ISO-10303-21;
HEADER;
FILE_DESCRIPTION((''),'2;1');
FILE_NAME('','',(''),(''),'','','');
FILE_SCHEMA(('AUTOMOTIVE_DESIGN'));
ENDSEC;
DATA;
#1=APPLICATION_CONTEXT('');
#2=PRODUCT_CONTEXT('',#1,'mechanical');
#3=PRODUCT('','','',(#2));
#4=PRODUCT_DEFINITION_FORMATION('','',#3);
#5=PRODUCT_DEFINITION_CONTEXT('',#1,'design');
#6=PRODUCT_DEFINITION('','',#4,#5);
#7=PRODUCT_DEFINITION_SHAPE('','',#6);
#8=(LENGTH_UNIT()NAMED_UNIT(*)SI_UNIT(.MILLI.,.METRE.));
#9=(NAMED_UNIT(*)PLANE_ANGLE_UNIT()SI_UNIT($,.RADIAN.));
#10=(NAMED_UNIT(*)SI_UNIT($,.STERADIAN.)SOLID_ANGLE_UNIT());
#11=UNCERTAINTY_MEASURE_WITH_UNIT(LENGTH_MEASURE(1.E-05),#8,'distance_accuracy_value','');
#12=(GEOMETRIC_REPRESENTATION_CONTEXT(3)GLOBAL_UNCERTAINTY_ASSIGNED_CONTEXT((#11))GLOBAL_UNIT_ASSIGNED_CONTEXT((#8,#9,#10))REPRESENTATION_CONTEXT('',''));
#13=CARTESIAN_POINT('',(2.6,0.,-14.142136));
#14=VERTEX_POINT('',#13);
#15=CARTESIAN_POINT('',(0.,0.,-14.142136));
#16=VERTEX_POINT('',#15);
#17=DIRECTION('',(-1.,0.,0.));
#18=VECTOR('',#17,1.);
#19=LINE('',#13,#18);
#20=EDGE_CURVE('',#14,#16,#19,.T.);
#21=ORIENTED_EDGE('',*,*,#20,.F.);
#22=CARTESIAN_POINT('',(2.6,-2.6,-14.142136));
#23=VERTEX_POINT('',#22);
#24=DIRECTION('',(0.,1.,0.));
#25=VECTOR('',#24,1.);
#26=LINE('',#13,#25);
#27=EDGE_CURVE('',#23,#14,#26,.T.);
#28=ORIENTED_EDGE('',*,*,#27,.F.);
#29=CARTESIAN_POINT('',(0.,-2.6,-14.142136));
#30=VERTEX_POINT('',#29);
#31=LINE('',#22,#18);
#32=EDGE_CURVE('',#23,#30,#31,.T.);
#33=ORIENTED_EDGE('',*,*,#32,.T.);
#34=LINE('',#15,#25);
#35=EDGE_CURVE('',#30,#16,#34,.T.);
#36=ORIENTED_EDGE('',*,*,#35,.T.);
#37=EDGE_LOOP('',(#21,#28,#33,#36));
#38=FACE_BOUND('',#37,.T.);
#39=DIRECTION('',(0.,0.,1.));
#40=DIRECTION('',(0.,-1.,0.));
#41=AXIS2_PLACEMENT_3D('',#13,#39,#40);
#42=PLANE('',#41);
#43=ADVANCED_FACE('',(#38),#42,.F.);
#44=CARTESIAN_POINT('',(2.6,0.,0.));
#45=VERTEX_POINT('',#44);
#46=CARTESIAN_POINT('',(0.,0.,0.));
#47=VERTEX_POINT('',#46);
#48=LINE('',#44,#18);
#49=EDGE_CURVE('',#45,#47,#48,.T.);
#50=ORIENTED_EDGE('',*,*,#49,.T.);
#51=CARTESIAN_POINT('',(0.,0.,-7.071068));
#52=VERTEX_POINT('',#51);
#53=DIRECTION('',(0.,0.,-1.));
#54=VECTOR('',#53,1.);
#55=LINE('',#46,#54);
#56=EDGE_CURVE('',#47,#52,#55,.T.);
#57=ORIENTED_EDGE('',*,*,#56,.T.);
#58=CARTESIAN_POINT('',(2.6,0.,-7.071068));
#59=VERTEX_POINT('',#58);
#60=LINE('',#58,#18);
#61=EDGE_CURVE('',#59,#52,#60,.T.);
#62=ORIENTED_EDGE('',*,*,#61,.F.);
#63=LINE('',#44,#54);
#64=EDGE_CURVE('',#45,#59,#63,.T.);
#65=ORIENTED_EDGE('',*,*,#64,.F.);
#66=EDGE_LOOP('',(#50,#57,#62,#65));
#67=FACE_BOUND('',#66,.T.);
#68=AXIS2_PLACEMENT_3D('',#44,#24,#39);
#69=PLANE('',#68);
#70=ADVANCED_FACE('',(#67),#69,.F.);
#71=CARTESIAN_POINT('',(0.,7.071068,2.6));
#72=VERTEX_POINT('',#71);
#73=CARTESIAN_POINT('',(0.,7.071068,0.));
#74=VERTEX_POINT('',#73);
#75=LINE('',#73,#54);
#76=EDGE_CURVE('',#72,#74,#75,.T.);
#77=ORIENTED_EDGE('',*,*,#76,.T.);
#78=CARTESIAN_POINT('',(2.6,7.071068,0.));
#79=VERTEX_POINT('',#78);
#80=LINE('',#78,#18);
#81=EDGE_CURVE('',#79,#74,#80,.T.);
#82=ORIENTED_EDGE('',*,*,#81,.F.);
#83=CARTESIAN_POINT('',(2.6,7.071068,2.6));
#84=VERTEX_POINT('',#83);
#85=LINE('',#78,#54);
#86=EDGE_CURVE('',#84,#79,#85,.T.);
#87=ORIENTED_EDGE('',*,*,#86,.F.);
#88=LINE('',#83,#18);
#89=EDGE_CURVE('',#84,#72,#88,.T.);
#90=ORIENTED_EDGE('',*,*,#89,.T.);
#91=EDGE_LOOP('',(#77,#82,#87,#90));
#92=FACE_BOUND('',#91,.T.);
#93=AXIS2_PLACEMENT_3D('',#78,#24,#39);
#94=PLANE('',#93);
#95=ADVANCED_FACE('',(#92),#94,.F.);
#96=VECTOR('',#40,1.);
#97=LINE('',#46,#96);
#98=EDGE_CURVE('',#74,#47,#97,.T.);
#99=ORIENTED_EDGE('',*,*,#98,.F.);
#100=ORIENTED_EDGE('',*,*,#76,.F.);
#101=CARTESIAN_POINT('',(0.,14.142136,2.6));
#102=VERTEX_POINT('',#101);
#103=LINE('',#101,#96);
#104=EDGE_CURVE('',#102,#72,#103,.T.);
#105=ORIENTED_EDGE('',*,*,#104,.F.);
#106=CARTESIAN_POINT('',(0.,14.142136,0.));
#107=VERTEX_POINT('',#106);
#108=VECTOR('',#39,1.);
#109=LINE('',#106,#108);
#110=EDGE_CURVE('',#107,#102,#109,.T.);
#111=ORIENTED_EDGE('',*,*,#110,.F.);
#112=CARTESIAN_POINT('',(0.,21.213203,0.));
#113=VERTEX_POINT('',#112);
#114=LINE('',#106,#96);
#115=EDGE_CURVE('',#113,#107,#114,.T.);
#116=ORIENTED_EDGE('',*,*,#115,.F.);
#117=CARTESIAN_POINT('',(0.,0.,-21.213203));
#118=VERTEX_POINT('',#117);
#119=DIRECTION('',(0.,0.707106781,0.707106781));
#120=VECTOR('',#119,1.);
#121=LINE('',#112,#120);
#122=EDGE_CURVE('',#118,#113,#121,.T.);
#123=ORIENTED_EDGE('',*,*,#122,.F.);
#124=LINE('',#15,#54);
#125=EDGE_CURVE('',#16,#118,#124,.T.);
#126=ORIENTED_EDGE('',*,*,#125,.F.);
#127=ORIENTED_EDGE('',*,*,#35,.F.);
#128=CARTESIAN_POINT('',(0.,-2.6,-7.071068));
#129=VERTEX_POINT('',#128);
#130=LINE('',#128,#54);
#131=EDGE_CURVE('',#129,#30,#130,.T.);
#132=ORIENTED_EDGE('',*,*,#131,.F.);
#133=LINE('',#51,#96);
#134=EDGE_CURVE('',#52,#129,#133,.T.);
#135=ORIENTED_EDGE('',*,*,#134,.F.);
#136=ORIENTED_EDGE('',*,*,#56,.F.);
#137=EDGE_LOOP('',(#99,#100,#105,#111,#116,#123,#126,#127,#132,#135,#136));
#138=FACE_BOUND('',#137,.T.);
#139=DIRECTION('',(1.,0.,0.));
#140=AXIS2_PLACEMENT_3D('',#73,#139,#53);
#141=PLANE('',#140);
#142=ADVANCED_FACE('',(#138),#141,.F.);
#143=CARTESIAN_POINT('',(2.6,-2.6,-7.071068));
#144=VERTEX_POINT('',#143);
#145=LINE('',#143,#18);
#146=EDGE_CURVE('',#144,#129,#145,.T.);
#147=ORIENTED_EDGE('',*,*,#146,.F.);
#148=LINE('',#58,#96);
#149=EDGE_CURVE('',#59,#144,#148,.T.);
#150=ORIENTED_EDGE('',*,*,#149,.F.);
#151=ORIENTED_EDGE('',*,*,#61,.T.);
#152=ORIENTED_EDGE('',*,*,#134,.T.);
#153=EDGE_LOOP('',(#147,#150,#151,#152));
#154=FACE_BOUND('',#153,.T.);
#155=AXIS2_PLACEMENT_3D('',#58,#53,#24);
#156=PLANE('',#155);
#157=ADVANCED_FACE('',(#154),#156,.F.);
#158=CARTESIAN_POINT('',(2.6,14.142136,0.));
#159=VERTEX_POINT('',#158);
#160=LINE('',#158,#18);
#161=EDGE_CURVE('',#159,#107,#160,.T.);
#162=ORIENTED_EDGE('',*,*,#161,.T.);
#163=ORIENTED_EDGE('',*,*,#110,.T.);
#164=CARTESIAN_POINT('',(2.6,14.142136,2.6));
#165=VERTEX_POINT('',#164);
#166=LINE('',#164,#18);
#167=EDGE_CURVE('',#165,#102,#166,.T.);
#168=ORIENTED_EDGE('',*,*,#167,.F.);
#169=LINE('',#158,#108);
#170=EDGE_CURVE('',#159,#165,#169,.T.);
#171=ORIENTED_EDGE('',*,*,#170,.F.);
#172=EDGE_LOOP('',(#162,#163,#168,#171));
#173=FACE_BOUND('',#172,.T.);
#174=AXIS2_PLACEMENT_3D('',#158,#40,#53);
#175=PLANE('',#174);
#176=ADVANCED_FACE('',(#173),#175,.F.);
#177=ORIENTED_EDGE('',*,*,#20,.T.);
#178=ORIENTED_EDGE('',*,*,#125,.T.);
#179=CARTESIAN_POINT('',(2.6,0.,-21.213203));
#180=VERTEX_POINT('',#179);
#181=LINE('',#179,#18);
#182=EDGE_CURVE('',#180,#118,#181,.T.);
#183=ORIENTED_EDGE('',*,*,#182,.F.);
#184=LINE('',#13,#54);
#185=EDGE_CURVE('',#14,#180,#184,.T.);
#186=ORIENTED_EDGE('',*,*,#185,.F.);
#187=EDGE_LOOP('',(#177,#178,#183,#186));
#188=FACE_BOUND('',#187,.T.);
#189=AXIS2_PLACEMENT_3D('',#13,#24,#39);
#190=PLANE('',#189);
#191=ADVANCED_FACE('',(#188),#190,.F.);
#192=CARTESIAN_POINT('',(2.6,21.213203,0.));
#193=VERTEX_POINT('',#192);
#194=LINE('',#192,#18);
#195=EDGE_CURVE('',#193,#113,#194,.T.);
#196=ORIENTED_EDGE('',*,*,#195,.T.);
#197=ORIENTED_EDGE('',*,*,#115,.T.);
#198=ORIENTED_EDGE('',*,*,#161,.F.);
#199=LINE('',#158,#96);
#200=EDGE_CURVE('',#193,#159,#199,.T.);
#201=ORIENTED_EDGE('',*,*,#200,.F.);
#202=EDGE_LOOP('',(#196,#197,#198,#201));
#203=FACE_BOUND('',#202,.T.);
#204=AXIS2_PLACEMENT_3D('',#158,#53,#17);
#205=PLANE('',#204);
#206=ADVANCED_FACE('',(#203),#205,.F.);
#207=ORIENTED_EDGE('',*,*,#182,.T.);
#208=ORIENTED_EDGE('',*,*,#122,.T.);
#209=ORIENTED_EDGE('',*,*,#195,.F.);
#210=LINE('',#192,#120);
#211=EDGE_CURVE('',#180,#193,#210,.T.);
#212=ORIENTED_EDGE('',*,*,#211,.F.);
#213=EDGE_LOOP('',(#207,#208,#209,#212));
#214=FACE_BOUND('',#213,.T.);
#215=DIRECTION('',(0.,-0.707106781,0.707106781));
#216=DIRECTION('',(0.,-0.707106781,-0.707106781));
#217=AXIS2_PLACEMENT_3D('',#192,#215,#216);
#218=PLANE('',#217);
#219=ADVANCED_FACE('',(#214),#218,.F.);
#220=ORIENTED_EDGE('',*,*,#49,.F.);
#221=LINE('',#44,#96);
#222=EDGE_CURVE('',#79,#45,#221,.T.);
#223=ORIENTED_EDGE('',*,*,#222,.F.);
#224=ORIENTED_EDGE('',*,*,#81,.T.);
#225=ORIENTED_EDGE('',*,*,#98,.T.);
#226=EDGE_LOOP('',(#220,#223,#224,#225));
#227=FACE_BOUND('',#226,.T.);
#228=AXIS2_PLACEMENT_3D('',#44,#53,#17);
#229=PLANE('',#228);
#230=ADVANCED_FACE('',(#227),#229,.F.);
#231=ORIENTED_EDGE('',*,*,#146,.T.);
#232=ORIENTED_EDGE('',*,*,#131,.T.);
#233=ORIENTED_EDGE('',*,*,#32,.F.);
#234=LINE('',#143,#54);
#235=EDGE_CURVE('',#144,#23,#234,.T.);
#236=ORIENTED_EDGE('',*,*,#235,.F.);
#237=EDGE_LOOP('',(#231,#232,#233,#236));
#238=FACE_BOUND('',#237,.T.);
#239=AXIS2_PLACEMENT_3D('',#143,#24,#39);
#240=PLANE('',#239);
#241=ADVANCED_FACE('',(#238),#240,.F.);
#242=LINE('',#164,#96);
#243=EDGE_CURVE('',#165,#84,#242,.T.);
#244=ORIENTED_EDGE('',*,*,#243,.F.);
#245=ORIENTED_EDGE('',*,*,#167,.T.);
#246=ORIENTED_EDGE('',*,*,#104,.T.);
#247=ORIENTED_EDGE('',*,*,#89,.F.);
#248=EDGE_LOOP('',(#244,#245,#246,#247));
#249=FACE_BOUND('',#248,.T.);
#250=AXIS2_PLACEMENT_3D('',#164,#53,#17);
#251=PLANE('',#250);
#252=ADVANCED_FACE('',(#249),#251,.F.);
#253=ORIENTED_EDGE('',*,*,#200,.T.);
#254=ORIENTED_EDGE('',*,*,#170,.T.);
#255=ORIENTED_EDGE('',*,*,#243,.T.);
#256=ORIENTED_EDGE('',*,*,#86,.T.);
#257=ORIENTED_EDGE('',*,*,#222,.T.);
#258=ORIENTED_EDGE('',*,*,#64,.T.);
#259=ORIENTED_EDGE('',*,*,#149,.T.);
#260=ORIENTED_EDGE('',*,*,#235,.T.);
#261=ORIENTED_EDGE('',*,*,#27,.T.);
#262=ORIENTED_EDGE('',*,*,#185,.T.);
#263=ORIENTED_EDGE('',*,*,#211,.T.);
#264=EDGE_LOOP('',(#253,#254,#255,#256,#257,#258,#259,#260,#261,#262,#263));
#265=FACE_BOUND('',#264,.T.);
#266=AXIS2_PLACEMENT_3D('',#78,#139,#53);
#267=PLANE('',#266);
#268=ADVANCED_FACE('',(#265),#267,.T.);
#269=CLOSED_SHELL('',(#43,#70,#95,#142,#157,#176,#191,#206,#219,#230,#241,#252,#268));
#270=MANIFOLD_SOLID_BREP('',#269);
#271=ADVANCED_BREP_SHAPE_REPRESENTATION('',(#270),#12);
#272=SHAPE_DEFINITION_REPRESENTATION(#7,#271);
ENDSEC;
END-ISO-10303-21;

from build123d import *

# Parameters (mm, degrees)
BOSS_EXTRUDE1_DEPTH = 2.6


with BuildPart() as part:
    # Sketch1 → Boss-Extrude1 (new body)
    with BuildSketch(Plane(origin=(0, 0, 0), x_dir=(0, 0, -1), z_dir=(1, 0, 0))):
        Polygon((0, 21.213203436), (21.213203436, 0), (14.142135624, 0), (14.142135624, -2.6), (7.071067812, -2.6), (7.071067812, 0), (0, 0), (0, 7.071067812), (-2.6, 7.071067812), (-2.6, 14.142135624), (0, 14.142135624), align=None)
    extrude(amount=BOSS_EXTRUDE1_DEPTH)


solid = part.part
